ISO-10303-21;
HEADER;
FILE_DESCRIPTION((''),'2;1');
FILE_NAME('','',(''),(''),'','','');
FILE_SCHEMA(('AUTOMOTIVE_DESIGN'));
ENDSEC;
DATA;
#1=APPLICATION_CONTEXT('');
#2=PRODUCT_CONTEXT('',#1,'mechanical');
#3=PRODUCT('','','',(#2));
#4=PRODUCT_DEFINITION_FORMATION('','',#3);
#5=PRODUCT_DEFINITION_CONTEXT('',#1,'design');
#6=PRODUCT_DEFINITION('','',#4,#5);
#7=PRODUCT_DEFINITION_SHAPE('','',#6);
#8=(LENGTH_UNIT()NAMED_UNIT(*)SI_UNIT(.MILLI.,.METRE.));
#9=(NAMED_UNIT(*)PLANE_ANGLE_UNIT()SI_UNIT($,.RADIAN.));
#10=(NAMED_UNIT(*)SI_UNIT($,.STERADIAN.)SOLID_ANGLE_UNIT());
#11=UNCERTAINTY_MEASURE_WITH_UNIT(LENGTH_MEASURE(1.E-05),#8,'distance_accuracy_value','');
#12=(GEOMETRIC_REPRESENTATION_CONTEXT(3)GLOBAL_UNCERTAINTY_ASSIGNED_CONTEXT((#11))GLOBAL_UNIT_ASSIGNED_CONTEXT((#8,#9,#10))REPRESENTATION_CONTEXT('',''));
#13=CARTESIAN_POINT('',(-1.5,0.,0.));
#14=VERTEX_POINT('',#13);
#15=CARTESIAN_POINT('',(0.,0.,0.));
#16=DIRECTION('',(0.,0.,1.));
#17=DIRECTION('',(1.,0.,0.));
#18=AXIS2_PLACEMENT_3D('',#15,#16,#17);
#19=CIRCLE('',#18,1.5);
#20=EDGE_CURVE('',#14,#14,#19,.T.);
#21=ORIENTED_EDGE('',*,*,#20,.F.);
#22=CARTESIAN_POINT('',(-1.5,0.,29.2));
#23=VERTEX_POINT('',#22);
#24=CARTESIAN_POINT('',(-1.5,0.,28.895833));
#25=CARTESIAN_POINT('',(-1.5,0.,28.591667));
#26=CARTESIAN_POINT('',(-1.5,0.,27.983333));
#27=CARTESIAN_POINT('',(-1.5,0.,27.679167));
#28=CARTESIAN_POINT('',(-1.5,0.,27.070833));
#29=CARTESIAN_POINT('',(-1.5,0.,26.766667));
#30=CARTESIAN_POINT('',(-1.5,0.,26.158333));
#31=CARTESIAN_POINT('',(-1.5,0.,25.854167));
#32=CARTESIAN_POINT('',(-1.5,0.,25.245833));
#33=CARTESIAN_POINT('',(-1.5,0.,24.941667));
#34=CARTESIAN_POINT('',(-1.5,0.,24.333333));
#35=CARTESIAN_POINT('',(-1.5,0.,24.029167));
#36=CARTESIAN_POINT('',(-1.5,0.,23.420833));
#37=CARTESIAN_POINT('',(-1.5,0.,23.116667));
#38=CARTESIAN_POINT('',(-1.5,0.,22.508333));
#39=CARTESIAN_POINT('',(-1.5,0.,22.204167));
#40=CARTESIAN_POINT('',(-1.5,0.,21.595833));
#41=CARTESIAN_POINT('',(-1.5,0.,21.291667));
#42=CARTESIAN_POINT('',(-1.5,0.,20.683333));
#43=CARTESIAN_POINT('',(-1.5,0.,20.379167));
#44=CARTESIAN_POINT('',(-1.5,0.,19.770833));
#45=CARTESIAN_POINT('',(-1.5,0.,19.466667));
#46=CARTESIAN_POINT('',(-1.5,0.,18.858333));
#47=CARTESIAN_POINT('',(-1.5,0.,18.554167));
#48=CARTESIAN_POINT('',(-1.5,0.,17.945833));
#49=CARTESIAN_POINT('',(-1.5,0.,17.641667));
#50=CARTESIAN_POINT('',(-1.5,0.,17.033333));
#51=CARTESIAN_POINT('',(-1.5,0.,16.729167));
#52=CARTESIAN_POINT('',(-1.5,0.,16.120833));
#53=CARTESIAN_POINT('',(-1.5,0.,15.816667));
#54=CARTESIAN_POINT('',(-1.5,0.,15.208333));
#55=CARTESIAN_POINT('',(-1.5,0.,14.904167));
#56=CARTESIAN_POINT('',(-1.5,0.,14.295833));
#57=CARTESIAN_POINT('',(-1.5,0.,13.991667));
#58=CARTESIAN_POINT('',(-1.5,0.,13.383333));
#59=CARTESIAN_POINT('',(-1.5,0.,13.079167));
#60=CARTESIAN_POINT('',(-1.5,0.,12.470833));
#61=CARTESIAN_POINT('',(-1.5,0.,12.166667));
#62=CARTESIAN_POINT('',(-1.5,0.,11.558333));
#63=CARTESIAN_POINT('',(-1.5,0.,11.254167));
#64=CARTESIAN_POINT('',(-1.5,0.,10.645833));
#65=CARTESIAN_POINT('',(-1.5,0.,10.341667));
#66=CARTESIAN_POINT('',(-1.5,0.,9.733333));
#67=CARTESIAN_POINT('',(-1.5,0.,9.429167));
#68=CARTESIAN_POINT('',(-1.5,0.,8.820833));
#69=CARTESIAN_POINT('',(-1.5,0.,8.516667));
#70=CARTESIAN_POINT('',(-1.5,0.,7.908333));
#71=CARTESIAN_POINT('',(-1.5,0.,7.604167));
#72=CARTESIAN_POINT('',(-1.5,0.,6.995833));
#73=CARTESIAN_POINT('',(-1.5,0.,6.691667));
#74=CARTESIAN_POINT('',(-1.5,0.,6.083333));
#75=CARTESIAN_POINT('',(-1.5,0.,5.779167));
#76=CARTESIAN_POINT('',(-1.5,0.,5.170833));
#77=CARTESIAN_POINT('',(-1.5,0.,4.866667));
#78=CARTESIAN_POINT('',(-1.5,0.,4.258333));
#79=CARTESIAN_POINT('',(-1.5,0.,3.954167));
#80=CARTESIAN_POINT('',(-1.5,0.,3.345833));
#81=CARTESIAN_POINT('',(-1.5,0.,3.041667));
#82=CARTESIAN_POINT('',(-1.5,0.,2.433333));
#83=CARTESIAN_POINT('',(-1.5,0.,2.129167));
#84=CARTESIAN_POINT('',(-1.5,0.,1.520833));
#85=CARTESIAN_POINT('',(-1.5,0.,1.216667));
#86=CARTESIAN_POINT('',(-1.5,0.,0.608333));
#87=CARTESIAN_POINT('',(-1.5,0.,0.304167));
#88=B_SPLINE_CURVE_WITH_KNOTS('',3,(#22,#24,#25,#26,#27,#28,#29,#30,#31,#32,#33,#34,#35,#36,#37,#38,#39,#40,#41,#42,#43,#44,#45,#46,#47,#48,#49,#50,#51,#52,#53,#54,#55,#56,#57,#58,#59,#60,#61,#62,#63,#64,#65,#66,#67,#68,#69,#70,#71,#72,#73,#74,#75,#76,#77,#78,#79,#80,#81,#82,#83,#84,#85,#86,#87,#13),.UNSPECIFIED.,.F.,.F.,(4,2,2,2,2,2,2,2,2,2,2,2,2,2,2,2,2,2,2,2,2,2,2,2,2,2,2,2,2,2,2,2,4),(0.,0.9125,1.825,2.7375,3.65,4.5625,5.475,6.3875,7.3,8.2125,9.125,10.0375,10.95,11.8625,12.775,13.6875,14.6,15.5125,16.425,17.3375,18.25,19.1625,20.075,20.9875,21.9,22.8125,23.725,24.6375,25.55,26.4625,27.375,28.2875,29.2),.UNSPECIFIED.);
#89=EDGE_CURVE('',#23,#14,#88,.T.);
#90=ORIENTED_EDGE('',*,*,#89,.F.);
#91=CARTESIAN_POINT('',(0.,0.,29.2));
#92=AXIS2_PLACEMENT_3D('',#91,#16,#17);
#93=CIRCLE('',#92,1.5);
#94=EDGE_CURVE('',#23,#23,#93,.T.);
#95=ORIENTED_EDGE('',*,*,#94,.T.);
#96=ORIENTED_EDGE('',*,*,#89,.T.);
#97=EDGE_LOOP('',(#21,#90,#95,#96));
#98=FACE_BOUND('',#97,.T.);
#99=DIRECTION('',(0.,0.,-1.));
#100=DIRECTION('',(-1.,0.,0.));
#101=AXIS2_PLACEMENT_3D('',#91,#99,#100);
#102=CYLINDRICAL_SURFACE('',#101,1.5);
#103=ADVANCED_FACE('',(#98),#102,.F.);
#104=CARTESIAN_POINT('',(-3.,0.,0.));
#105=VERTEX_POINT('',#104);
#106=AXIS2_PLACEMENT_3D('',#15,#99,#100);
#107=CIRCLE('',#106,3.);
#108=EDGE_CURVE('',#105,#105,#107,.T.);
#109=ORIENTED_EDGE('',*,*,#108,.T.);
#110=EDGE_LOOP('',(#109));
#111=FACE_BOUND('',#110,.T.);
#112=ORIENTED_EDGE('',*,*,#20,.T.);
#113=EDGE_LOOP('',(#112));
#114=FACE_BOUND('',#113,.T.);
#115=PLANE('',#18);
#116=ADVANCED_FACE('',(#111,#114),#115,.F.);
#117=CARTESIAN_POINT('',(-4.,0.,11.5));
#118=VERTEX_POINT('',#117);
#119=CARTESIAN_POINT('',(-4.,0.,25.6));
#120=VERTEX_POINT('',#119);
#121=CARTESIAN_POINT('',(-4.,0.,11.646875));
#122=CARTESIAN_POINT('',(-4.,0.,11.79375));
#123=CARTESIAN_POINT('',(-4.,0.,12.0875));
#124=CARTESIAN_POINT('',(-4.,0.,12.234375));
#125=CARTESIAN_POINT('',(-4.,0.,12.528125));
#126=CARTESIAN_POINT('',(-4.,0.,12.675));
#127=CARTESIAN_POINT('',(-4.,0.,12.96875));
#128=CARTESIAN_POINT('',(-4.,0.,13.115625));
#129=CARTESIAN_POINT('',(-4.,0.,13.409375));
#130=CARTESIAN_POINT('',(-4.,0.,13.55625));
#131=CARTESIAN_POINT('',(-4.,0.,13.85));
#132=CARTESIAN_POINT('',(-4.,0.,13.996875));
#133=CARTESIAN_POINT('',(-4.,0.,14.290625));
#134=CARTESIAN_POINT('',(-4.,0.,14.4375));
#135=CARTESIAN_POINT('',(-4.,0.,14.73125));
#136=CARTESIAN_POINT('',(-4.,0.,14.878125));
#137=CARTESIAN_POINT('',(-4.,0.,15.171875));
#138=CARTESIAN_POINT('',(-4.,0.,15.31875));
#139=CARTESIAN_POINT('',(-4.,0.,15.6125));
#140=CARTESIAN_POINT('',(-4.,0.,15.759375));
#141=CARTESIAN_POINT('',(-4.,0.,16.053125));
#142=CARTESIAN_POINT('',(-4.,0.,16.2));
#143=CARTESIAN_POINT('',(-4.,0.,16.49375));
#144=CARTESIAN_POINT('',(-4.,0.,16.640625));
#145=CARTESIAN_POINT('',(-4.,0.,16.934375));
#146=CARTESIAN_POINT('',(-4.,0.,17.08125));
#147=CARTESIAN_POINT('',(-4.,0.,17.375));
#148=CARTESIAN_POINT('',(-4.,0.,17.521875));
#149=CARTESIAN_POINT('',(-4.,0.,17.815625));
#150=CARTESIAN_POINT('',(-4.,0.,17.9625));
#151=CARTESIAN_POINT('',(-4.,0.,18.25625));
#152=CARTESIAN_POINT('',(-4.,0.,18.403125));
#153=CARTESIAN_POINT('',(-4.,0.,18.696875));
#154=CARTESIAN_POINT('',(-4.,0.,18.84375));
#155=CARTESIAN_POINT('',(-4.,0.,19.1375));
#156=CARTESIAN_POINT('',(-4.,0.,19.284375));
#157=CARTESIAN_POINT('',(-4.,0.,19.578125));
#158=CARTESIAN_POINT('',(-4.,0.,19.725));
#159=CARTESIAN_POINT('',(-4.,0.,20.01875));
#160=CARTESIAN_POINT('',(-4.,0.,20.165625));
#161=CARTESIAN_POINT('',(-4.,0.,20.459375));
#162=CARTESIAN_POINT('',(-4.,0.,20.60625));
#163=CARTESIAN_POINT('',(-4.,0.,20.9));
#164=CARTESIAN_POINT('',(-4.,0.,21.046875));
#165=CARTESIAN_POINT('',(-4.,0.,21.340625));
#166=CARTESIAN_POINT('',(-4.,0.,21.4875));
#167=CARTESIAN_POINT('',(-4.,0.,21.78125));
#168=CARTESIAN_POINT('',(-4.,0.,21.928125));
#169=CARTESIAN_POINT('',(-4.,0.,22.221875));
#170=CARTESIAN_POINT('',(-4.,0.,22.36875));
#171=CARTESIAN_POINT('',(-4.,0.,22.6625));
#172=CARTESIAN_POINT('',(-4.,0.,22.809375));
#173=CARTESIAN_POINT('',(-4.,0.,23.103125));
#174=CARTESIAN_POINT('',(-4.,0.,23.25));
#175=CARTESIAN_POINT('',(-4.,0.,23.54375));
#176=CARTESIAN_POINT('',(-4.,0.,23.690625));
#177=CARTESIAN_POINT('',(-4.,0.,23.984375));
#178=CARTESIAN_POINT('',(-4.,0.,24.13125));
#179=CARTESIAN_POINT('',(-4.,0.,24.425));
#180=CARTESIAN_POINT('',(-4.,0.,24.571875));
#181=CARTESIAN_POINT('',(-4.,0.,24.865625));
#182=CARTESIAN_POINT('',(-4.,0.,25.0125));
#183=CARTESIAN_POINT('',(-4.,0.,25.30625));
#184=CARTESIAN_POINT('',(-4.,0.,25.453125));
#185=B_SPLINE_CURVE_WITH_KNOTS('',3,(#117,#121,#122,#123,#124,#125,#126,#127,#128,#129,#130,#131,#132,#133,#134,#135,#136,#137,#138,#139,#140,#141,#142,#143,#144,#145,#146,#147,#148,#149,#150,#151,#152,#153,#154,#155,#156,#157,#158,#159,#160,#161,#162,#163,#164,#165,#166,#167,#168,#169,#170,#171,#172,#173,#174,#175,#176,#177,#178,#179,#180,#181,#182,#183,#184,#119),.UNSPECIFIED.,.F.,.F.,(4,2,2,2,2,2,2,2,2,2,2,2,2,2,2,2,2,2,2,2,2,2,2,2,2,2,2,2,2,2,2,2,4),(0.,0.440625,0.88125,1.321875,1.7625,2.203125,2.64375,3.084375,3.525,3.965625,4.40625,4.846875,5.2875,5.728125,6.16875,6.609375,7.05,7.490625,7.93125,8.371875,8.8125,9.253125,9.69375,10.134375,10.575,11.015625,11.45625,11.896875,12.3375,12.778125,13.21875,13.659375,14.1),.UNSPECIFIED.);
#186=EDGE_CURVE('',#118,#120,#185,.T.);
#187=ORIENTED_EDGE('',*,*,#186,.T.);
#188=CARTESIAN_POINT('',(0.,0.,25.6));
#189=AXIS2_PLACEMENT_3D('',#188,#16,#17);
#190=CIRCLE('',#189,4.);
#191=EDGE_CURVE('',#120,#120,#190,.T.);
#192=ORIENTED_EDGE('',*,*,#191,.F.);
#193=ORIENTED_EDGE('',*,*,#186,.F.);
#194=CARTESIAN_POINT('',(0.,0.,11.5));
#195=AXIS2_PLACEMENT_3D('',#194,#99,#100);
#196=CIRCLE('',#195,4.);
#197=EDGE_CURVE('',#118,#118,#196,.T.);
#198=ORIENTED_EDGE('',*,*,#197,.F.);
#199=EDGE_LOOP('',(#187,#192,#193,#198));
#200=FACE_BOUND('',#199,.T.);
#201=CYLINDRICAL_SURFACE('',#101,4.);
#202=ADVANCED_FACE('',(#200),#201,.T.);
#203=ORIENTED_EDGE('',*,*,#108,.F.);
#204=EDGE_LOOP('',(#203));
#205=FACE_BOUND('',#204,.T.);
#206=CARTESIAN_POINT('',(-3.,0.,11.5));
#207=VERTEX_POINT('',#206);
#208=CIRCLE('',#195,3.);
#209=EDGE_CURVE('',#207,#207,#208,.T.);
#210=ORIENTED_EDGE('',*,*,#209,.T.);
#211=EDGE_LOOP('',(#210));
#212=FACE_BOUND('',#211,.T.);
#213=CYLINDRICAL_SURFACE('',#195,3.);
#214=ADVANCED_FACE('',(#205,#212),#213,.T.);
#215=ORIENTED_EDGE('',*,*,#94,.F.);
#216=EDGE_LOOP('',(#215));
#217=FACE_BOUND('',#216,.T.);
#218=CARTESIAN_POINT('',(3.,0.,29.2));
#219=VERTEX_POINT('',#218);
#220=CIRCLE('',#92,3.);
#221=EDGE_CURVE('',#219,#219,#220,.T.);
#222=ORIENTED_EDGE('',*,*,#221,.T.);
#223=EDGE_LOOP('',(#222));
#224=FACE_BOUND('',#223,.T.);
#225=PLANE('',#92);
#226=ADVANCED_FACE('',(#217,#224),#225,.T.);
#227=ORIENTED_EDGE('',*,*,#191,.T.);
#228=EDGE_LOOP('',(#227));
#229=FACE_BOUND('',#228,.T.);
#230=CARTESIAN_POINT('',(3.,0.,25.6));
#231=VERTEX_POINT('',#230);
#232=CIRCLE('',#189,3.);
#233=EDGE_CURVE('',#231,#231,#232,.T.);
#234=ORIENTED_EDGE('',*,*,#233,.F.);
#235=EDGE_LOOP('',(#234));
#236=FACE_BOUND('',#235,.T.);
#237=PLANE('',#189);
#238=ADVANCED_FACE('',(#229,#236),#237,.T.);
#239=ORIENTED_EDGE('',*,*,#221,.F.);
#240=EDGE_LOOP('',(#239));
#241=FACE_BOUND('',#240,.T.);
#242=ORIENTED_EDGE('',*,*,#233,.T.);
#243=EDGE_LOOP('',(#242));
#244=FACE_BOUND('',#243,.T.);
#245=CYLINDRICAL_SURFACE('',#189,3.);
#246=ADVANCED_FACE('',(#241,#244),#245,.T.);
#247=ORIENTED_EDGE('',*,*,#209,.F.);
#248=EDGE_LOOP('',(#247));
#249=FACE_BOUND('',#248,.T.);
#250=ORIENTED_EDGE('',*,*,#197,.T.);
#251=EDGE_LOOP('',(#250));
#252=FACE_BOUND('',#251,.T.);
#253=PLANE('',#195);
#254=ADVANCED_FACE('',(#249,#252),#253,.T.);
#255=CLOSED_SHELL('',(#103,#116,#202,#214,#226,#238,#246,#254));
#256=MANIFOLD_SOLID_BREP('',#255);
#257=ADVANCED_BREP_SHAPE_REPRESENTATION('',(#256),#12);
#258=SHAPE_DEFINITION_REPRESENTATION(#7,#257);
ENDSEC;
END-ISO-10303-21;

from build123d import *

# Parameters (mm, degrees)
SKETCH_1_R          = 4
SKETCH_1_R_2        = 1.5
EXTRUDE_3_DEPTH     = 29.2
SKETCH_3_R          = 4
SKETCH_3_R_2        = 3
CUT_EXTRUDE_1_DEPTH = 11.5
CUT_EXTRUDE_START   = -3.6
SKETCH_4_R          = 4
SKETCH_4_R_2        = 3
CUT_EXTRUDE_2_DEPTH = 3.6


with BuildPart() as part:
    # ｽｹｯﾁ1 → ﾎﾞｽ - 押し出し3 (new body)
    with BuildSketch(Plane.XY):
        with Locations(Location((0, 0, 0), (0, 0, 180))):
            Circle(SKETCH_1_R)
        with Locations(Location((0, 0, 0), (0, 0, 180))):
            Circle(SKETCH_1_R_2, mode=Mode.SUBTRACT)
    extrude(amount=EXTRUDE_3_DEPTH)

    # ｽｹｯﾁ3 → ｶｯﾄ - 押し出し1 (cut)
    with BuildSketch(Plane(origin=(0, 0, 0), x_dir=(-1, 0, 0), z_dir=(0, 0, -1))):
        Circle(SKETCH_3_R)
        Circle(SKETCH_3_R_2, mode=Mode.SUBTRACT)
    extrude(amount=-CUT_EXTRUDE_1_DEPTH, mode=Mode.SUBTRACT)

    # ｽｹｯﾁ4 → ｶｯﾄ - 押し出し2 (cut)
    with BuildSketch(Plane.XY.offset(29.2).offset(CUT_EXTRUDE_START)):
        with Locations(Location((0, 0, 0), (0, 0, 180))):
            Circle(SKETCH_4_R)
        with Locations(Location((0, 0, 0), (0, 0, 180))):
            Circle(SKETCH_4_R_2, mode=Mode.SUBTRACT)
    extrude(amount=CUT_EXTRUDE_2_DEPTH, mode=Mode.SUBTRACT)


solid = part.part
